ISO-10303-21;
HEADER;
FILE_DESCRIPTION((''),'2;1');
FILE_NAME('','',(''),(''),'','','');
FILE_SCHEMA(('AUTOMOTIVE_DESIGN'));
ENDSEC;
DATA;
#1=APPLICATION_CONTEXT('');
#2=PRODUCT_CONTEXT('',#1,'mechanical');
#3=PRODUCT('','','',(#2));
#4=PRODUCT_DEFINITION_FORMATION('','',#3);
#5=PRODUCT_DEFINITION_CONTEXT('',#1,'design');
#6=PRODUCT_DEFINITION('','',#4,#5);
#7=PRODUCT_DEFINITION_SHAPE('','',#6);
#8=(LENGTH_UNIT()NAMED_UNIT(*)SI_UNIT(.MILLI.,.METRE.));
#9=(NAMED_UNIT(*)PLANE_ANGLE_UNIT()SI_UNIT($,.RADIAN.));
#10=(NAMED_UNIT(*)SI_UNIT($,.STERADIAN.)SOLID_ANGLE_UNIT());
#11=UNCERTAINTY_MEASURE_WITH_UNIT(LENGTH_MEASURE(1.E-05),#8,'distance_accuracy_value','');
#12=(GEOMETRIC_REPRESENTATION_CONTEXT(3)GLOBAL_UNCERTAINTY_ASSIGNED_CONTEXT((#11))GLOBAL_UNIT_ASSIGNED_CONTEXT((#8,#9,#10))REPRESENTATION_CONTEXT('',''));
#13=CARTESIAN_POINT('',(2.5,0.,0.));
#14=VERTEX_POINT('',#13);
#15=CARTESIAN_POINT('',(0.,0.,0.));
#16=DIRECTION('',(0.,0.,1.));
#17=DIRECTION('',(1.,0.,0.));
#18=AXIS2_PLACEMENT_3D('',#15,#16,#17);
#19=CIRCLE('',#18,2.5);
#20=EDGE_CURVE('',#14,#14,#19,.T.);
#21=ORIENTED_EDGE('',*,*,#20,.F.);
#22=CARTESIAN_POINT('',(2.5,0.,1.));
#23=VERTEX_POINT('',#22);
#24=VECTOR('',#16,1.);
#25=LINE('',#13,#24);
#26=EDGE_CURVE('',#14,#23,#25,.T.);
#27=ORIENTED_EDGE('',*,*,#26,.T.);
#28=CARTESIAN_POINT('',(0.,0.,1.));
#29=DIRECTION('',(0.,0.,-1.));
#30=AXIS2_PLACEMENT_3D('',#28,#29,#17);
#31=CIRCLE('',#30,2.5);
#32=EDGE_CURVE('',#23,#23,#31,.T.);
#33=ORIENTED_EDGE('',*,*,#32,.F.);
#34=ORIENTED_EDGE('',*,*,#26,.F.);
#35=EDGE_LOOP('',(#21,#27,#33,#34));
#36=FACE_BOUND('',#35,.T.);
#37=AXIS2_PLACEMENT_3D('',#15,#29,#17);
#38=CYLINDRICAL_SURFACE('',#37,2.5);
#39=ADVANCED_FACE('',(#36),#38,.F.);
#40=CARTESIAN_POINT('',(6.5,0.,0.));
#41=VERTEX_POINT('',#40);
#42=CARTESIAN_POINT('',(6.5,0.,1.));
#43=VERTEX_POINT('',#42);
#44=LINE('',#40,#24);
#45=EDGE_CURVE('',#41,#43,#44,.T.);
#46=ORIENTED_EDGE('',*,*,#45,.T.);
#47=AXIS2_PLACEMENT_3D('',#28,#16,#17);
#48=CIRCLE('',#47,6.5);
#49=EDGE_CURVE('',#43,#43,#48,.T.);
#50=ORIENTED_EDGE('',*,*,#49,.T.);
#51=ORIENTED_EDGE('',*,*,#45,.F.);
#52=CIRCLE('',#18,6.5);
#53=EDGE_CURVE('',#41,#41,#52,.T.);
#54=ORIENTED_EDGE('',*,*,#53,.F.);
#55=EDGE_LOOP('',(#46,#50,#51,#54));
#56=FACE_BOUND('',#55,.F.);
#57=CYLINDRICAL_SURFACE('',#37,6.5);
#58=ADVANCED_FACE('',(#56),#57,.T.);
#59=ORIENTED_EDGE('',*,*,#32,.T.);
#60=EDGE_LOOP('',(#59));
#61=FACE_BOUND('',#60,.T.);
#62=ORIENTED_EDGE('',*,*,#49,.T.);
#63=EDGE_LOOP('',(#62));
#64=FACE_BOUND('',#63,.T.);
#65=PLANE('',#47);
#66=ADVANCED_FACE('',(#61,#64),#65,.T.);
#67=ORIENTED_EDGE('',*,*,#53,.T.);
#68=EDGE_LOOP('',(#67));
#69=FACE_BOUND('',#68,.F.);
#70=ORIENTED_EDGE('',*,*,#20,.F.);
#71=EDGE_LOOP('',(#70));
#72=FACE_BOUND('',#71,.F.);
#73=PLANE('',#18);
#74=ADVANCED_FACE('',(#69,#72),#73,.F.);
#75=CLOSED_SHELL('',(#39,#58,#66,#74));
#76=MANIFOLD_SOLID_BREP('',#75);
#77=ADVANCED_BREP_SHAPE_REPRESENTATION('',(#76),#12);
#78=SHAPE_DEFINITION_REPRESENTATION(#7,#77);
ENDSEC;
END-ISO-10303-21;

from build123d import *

# Parameters (mm, degrees)
CYLINDER001_R     = 2.5
CYLINDER001_DEPTH = 10
CYLINDER_R        = 6.5
CYLINDER_DEPTH    = 1


with BuildPart() as cilindro001:
    # Cylinder001 → Cylinder001 (new body)
    with BuildSketch(Plane.XY):
        Circle(CYLINDER001_R)
    extrude(amount=CYLINDER001_DEPTH)


with BuildPart() as arandelas:
    # Cylinder → Cylinder (new body)
    with BuildSketch(Plane.XY):
        Circle(CYLINDER_R)
    extrude(amount=CYLINDER_DEPTH)

    # Cut: cut Cilindro001
    add(cilindro001.part, mode=Mode.SUBTRACT)


solid = arandelas.part
